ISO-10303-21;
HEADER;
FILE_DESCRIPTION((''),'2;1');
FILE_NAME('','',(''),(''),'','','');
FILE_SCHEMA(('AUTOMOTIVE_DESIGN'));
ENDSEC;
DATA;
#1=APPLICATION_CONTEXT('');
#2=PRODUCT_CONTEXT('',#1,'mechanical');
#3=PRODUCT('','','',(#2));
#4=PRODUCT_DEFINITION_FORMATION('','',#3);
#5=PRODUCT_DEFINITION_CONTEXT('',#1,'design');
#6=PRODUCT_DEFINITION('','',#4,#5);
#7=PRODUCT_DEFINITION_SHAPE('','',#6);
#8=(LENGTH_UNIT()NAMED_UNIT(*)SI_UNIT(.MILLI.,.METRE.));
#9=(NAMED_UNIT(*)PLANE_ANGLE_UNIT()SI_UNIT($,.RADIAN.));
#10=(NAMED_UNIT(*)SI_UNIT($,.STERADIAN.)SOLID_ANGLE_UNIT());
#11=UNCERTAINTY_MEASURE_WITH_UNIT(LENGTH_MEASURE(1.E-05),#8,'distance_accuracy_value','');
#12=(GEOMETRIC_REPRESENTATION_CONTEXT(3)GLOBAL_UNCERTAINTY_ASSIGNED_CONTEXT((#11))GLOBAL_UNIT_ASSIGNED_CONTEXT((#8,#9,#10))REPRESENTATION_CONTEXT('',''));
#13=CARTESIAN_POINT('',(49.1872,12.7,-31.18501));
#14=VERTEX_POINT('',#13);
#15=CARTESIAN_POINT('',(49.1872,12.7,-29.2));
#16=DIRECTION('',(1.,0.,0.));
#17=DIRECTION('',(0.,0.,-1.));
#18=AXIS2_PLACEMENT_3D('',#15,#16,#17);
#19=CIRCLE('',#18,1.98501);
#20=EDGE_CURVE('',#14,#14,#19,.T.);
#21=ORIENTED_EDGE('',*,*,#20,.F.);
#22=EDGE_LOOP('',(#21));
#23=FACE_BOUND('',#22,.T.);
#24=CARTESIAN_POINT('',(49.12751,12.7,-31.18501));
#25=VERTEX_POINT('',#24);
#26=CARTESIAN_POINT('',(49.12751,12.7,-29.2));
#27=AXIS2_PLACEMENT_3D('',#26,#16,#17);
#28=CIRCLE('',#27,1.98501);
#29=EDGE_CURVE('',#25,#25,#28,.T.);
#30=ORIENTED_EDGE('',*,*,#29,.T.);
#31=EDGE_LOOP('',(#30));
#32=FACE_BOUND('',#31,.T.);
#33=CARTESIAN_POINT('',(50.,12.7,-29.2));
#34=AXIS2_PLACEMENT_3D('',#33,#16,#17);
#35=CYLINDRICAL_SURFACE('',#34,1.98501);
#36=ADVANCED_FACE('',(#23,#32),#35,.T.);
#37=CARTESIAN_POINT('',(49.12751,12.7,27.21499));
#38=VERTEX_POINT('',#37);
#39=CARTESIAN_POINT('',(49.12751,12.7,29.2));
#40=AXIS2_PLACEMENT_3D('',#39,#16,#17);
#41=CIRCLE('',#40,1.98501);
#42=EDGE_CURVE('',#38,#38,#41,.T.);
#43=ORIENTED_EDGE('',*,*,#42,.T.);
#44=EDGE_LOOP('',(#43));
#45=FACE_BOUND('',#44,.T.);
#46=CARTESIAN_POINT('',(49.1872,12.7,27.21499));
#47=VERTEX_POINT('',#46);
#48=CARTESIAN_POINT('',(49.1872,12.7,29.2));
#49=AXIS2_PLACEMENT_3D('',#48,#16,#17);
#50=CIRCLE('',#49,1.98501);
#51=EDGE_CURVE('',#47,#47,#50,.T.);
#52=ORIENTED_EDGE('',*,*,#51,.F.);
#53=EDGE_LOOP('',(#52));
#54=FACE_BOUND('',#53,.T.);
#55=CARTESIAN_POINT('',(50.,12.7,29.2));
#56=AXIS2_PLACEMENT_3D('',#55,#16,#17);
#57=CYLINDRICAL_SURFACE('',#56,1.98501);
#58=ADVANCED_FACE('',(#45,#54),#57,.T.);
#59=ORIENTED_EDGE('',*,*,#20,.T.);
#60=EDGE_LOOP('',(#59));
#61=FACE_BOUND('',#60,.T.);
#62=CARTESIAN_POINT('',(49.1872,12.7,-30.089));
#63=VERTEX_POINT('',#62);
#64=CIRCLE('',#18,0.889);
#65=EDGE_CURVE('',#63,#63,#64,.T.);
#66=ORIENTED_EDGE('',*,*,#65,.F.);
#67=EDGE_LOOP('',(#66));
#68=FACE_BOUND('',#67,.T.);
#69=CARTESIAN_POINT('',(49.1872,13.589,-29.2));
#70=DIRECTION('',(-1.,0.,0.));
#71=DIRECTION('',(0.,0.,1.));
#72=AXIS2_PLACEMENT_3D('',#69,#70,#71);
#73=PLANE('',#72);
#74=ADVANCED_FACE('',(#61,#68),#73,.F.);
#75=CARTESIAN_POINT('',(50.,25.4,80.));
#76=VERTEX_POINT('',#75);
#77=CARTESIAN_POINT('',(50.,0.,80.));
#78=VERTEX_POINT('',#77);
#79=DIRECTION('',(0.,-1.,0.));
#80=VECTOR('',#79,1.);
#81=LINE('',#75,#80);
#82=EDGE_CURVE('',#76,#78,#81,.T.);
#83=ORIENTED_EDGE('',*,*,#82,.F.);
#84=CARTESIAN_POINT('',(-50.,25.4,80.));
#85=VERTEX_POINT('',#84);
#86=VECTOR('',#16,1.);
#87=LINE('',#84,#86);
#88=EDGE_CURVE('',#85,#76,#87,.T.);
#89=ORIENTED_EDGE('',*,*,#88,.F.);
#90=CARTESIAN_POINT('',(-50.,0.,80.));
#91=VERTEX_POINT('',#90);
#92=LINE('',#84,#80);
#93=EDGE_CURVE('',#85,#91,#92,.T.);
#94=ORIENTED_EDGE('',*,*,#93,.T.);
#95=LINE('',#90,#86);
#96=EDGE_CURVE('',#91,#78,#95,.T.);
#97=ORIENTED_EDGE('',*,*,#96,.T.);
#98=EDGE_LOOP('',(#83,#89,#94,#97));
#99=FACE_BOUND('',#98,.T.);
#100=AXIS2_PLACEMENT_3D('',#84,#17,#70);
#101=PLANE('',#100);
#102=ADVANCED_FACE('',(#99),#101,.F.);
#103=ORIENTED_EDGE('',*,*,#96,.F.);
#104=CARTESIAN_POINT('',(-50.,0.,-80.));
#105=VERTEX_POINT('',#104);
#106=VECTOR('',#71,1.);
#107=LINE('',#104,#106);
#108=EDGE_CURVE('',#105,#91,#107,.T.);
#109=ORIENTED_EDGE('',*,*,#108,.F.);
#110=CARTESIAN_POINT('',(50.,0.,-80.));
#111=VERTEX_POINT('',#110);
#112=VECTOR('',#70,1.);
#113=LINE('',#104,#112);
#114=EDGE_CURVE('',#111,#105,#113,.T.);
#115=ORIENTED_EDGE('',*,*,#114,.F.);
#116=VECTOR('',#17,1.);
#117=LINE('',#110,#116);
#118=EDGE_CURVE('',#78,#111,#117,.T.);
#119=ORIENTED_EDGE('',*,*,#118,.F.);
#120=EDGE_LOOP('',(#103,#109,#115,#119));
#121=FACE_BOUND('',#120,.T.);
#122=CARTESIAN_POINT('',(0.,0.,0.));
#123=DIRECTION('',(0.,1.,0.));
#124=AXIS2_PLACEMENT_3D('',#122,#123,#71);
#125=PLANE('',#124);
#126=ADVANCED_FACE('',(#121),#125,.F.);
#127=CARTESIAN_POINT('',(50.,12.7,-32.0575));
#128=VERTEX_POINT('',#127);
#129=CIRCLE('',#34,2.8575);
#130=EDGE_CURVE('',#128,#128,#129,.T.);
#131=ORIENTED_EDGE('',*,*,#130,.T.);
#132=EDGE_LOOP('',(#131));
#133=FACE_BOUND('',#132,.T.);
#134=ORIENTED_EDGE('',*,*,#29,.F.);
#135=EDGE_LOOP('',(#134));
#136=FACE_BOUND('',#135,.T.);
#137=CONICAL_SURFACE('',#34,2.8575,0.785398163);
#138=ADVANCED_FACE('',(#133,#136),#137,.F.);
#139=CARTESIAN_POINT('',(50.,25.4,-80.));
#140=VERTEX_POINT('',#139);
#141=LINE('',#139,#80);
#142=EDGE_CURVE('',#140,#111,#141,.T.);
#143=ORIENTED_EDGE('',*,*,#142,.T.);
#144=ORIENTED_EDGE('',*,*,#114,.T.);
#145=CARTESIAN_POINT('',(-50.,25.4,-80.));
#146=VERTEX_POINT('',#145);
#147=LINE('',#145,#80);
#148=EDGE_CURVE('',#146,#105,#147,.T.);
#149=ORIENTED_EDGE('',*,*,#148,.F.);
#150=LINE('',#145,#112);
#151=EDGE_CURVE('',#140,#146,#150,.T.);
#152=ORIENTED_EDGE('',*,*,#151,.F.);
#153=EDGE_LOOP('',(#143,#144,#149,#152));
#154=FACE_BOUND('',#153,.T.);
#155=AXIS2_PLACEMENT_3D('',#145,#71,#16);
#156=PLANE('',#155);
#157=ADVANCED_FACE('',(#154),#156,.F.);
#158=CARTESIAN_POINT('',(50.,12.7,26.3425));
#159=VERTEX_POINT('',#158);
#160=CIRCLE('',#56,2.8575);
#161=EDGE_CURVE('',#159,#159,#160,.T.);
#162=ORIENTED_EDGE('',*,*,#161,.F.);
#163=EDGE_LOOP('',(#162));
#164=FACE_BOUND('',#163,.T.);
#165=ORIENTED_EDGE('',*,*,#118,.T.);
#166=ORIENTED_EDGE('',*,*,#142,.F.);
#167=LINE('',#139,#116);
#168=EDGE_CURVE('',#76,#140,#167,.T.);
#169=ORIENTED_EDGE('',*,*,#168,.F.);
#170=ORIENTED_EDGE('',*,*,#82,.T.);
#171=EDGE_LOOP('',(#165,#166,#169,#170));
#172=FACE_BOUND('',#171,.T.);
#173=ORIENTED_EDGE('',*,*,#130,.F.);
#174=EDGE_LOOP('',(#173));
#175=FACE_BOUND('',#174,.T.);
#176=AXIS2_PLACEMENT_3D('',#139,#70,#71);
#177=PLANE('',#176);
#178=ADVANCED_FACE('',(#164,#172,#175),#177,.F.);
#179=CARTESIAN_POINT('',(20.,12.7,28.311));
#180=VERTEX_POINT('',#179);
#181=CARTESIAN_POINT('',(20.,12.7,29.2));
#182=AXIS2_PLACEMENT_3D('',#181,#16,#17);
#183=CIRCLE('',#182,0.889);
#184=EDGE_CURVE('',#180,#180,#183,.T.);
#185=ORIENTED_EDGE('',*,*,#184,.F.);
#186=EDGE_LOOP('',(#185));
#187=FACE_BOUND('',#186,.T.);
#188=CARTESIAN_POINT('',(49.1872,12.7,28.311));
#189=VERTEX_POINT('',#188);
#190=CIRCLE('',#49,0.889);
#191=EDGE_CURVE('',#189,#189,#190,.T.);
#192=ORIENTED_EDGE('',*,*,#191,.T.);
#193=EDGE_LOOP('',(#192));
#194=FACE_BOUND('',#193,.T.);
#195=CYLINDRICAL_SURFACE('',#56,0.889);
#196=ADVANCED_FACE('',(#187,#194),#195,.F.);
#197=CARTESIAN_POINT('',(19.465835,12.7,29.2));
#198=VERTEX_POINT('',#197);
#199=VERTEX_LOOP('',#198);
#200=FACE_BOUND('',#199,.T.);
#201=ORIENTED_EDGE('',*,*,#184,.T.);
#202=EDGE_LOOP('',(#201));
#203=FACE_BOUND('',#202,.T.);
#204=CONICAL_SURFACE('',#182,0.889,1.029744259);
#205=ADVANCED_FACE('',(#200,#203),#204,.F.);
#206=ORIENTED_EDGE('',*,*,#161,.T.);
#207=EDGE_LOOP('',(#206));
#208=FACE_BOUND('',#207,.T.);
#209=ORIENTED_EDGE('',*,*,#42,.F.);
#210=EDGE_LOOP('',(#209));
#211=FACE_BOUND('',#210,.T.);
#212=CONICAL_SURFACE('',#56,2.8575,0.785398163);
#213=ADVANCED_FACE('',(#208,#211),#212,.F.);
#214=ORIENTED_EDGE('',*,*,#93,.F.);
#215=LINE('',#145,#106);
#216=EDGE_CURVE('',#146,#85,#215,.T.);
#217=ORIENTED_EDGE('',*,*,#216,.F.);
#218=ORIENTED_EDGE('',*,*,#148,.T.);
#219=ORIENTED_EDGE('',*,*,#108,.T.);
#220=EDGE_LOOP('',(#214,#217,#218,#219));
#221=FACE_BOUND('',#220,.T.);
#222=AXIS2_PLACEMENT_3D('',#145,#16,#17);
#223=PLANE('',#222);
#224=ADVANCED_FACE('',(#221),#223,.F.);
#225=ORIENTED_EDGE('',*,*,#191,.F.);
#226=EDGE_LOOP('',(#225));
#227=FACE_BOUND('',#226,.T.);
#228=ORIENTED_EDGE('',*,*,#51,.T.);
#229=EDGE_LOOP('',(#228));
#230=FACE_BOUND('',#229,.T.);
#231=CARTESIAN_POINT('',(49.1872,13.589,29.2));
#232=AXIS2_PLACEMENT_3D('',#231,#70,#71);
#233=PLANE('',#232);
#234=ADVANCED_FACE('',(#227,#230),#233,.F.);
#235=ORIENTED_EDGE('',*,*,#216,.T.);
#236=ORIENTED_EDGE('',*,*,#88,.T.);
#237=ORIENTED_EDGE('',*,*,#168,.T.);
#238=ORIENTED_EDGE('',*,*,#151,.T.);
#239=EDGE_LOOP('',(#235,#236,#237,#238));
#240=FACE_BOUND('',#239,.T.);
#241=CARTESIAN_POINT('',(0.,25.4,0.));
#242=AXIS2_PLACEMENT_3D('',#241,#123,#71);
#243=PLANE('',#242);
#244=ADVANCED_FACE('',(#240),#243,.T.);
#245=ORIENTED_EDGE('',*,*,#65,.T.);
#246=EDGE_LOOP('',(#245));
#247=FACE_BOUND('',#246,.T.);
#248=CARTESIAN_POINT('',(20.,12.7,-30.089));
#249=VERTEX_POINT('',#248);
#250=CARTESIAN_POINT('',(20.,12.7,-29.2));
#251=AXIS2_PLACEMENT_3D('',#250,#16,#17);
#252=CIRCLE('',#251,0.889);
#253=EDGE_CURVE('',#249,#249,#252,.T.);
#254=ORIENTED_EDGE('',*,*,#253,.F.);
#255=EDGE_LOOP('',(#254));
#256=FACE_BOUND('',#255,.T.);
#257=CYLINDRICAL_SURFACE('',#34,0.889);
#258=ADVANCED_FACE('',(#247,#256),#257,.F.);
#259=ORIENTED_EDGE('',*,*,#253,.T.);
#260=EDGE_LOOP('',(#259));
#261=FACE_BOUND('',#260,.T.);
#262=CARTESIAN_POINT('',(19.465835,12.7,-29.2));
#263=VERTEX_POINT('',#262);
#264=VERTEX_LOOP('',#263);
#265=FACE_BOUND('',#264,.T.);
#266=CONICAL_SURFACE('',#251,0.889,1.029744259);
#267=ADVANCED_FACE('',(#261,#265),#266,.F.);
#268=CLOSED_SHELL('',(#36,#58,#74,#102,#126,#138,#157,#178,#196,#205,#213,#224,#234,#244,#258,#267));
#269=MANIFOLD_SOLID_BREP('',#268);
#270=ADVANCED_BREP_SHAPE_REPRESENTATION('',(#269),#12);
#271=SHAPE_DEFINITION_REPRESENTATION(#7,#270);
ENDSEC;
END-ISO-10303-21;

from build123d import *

# Parameters (mm, degrees)
SKETCH1_W                                   = 100
SKETCH1_H                                   = 160
BOSS_EXTRUDE1_DEPTH                         = 25.4
CBORE_FOR_0_BINDING_HEAD_MACHINE_SC_2_COUNT = 2
CBORE_FOR_0_BINDING_HEAD_MACHINE_SC_2_PITCH = 58.4


with BuildPart() as part:
    # Sketch1 → Boss-Extrude1 (new body)
    with BuildSketch(Plane(origin=(0, 0, 0), x_dir=(1, 0, 0), z_dir=(0, 1, 0))):
        Rectangle(SKETCH1_W, SKETCH1_H)
    extrude(amount=BOSS_EXTRUDE1_DEPTH)

    # Sketch3 → CBORE for #0 Binding Head Machine Screw1 (revolve, cut)
    with BuildSketch(Plane(origin=(50, 12.7, 29.2), x_dir=(0, 0, -1), z_dir=(0, 1, 0))):
        Polygon((0, 0), (0, 30.53416509), (0.889, 30), (0.889, 0.8128), (1.98501, 0.8128), (1.98501, 0.87249), (2.8575, 0), align=None)
    cbore_for_0_binding_head_machine_screw1 = revolve(axis=Axis((56.35, 12.7, 29.2), (-1, 0, 0)), mode=Mode.SUBTRACT)

    # CBORE for _0 Binding Head Machine Sc 2: CBORE for #0 Binding Head Machine Screw1 ×2
    with Locations(*[(0, 0, -i * CBORE_FOR_0_BINDING_HEAD_MACHINE_SC_2_PITCH) for i in range(1, CBORE_FOR_0_BINDING_HEAD_MACHINE_SC_2_COUNT)]):
        add(cbore_for_0_binding_head_machine_screw1, mode=Mode.SUBTRACT)


solid = part.part
